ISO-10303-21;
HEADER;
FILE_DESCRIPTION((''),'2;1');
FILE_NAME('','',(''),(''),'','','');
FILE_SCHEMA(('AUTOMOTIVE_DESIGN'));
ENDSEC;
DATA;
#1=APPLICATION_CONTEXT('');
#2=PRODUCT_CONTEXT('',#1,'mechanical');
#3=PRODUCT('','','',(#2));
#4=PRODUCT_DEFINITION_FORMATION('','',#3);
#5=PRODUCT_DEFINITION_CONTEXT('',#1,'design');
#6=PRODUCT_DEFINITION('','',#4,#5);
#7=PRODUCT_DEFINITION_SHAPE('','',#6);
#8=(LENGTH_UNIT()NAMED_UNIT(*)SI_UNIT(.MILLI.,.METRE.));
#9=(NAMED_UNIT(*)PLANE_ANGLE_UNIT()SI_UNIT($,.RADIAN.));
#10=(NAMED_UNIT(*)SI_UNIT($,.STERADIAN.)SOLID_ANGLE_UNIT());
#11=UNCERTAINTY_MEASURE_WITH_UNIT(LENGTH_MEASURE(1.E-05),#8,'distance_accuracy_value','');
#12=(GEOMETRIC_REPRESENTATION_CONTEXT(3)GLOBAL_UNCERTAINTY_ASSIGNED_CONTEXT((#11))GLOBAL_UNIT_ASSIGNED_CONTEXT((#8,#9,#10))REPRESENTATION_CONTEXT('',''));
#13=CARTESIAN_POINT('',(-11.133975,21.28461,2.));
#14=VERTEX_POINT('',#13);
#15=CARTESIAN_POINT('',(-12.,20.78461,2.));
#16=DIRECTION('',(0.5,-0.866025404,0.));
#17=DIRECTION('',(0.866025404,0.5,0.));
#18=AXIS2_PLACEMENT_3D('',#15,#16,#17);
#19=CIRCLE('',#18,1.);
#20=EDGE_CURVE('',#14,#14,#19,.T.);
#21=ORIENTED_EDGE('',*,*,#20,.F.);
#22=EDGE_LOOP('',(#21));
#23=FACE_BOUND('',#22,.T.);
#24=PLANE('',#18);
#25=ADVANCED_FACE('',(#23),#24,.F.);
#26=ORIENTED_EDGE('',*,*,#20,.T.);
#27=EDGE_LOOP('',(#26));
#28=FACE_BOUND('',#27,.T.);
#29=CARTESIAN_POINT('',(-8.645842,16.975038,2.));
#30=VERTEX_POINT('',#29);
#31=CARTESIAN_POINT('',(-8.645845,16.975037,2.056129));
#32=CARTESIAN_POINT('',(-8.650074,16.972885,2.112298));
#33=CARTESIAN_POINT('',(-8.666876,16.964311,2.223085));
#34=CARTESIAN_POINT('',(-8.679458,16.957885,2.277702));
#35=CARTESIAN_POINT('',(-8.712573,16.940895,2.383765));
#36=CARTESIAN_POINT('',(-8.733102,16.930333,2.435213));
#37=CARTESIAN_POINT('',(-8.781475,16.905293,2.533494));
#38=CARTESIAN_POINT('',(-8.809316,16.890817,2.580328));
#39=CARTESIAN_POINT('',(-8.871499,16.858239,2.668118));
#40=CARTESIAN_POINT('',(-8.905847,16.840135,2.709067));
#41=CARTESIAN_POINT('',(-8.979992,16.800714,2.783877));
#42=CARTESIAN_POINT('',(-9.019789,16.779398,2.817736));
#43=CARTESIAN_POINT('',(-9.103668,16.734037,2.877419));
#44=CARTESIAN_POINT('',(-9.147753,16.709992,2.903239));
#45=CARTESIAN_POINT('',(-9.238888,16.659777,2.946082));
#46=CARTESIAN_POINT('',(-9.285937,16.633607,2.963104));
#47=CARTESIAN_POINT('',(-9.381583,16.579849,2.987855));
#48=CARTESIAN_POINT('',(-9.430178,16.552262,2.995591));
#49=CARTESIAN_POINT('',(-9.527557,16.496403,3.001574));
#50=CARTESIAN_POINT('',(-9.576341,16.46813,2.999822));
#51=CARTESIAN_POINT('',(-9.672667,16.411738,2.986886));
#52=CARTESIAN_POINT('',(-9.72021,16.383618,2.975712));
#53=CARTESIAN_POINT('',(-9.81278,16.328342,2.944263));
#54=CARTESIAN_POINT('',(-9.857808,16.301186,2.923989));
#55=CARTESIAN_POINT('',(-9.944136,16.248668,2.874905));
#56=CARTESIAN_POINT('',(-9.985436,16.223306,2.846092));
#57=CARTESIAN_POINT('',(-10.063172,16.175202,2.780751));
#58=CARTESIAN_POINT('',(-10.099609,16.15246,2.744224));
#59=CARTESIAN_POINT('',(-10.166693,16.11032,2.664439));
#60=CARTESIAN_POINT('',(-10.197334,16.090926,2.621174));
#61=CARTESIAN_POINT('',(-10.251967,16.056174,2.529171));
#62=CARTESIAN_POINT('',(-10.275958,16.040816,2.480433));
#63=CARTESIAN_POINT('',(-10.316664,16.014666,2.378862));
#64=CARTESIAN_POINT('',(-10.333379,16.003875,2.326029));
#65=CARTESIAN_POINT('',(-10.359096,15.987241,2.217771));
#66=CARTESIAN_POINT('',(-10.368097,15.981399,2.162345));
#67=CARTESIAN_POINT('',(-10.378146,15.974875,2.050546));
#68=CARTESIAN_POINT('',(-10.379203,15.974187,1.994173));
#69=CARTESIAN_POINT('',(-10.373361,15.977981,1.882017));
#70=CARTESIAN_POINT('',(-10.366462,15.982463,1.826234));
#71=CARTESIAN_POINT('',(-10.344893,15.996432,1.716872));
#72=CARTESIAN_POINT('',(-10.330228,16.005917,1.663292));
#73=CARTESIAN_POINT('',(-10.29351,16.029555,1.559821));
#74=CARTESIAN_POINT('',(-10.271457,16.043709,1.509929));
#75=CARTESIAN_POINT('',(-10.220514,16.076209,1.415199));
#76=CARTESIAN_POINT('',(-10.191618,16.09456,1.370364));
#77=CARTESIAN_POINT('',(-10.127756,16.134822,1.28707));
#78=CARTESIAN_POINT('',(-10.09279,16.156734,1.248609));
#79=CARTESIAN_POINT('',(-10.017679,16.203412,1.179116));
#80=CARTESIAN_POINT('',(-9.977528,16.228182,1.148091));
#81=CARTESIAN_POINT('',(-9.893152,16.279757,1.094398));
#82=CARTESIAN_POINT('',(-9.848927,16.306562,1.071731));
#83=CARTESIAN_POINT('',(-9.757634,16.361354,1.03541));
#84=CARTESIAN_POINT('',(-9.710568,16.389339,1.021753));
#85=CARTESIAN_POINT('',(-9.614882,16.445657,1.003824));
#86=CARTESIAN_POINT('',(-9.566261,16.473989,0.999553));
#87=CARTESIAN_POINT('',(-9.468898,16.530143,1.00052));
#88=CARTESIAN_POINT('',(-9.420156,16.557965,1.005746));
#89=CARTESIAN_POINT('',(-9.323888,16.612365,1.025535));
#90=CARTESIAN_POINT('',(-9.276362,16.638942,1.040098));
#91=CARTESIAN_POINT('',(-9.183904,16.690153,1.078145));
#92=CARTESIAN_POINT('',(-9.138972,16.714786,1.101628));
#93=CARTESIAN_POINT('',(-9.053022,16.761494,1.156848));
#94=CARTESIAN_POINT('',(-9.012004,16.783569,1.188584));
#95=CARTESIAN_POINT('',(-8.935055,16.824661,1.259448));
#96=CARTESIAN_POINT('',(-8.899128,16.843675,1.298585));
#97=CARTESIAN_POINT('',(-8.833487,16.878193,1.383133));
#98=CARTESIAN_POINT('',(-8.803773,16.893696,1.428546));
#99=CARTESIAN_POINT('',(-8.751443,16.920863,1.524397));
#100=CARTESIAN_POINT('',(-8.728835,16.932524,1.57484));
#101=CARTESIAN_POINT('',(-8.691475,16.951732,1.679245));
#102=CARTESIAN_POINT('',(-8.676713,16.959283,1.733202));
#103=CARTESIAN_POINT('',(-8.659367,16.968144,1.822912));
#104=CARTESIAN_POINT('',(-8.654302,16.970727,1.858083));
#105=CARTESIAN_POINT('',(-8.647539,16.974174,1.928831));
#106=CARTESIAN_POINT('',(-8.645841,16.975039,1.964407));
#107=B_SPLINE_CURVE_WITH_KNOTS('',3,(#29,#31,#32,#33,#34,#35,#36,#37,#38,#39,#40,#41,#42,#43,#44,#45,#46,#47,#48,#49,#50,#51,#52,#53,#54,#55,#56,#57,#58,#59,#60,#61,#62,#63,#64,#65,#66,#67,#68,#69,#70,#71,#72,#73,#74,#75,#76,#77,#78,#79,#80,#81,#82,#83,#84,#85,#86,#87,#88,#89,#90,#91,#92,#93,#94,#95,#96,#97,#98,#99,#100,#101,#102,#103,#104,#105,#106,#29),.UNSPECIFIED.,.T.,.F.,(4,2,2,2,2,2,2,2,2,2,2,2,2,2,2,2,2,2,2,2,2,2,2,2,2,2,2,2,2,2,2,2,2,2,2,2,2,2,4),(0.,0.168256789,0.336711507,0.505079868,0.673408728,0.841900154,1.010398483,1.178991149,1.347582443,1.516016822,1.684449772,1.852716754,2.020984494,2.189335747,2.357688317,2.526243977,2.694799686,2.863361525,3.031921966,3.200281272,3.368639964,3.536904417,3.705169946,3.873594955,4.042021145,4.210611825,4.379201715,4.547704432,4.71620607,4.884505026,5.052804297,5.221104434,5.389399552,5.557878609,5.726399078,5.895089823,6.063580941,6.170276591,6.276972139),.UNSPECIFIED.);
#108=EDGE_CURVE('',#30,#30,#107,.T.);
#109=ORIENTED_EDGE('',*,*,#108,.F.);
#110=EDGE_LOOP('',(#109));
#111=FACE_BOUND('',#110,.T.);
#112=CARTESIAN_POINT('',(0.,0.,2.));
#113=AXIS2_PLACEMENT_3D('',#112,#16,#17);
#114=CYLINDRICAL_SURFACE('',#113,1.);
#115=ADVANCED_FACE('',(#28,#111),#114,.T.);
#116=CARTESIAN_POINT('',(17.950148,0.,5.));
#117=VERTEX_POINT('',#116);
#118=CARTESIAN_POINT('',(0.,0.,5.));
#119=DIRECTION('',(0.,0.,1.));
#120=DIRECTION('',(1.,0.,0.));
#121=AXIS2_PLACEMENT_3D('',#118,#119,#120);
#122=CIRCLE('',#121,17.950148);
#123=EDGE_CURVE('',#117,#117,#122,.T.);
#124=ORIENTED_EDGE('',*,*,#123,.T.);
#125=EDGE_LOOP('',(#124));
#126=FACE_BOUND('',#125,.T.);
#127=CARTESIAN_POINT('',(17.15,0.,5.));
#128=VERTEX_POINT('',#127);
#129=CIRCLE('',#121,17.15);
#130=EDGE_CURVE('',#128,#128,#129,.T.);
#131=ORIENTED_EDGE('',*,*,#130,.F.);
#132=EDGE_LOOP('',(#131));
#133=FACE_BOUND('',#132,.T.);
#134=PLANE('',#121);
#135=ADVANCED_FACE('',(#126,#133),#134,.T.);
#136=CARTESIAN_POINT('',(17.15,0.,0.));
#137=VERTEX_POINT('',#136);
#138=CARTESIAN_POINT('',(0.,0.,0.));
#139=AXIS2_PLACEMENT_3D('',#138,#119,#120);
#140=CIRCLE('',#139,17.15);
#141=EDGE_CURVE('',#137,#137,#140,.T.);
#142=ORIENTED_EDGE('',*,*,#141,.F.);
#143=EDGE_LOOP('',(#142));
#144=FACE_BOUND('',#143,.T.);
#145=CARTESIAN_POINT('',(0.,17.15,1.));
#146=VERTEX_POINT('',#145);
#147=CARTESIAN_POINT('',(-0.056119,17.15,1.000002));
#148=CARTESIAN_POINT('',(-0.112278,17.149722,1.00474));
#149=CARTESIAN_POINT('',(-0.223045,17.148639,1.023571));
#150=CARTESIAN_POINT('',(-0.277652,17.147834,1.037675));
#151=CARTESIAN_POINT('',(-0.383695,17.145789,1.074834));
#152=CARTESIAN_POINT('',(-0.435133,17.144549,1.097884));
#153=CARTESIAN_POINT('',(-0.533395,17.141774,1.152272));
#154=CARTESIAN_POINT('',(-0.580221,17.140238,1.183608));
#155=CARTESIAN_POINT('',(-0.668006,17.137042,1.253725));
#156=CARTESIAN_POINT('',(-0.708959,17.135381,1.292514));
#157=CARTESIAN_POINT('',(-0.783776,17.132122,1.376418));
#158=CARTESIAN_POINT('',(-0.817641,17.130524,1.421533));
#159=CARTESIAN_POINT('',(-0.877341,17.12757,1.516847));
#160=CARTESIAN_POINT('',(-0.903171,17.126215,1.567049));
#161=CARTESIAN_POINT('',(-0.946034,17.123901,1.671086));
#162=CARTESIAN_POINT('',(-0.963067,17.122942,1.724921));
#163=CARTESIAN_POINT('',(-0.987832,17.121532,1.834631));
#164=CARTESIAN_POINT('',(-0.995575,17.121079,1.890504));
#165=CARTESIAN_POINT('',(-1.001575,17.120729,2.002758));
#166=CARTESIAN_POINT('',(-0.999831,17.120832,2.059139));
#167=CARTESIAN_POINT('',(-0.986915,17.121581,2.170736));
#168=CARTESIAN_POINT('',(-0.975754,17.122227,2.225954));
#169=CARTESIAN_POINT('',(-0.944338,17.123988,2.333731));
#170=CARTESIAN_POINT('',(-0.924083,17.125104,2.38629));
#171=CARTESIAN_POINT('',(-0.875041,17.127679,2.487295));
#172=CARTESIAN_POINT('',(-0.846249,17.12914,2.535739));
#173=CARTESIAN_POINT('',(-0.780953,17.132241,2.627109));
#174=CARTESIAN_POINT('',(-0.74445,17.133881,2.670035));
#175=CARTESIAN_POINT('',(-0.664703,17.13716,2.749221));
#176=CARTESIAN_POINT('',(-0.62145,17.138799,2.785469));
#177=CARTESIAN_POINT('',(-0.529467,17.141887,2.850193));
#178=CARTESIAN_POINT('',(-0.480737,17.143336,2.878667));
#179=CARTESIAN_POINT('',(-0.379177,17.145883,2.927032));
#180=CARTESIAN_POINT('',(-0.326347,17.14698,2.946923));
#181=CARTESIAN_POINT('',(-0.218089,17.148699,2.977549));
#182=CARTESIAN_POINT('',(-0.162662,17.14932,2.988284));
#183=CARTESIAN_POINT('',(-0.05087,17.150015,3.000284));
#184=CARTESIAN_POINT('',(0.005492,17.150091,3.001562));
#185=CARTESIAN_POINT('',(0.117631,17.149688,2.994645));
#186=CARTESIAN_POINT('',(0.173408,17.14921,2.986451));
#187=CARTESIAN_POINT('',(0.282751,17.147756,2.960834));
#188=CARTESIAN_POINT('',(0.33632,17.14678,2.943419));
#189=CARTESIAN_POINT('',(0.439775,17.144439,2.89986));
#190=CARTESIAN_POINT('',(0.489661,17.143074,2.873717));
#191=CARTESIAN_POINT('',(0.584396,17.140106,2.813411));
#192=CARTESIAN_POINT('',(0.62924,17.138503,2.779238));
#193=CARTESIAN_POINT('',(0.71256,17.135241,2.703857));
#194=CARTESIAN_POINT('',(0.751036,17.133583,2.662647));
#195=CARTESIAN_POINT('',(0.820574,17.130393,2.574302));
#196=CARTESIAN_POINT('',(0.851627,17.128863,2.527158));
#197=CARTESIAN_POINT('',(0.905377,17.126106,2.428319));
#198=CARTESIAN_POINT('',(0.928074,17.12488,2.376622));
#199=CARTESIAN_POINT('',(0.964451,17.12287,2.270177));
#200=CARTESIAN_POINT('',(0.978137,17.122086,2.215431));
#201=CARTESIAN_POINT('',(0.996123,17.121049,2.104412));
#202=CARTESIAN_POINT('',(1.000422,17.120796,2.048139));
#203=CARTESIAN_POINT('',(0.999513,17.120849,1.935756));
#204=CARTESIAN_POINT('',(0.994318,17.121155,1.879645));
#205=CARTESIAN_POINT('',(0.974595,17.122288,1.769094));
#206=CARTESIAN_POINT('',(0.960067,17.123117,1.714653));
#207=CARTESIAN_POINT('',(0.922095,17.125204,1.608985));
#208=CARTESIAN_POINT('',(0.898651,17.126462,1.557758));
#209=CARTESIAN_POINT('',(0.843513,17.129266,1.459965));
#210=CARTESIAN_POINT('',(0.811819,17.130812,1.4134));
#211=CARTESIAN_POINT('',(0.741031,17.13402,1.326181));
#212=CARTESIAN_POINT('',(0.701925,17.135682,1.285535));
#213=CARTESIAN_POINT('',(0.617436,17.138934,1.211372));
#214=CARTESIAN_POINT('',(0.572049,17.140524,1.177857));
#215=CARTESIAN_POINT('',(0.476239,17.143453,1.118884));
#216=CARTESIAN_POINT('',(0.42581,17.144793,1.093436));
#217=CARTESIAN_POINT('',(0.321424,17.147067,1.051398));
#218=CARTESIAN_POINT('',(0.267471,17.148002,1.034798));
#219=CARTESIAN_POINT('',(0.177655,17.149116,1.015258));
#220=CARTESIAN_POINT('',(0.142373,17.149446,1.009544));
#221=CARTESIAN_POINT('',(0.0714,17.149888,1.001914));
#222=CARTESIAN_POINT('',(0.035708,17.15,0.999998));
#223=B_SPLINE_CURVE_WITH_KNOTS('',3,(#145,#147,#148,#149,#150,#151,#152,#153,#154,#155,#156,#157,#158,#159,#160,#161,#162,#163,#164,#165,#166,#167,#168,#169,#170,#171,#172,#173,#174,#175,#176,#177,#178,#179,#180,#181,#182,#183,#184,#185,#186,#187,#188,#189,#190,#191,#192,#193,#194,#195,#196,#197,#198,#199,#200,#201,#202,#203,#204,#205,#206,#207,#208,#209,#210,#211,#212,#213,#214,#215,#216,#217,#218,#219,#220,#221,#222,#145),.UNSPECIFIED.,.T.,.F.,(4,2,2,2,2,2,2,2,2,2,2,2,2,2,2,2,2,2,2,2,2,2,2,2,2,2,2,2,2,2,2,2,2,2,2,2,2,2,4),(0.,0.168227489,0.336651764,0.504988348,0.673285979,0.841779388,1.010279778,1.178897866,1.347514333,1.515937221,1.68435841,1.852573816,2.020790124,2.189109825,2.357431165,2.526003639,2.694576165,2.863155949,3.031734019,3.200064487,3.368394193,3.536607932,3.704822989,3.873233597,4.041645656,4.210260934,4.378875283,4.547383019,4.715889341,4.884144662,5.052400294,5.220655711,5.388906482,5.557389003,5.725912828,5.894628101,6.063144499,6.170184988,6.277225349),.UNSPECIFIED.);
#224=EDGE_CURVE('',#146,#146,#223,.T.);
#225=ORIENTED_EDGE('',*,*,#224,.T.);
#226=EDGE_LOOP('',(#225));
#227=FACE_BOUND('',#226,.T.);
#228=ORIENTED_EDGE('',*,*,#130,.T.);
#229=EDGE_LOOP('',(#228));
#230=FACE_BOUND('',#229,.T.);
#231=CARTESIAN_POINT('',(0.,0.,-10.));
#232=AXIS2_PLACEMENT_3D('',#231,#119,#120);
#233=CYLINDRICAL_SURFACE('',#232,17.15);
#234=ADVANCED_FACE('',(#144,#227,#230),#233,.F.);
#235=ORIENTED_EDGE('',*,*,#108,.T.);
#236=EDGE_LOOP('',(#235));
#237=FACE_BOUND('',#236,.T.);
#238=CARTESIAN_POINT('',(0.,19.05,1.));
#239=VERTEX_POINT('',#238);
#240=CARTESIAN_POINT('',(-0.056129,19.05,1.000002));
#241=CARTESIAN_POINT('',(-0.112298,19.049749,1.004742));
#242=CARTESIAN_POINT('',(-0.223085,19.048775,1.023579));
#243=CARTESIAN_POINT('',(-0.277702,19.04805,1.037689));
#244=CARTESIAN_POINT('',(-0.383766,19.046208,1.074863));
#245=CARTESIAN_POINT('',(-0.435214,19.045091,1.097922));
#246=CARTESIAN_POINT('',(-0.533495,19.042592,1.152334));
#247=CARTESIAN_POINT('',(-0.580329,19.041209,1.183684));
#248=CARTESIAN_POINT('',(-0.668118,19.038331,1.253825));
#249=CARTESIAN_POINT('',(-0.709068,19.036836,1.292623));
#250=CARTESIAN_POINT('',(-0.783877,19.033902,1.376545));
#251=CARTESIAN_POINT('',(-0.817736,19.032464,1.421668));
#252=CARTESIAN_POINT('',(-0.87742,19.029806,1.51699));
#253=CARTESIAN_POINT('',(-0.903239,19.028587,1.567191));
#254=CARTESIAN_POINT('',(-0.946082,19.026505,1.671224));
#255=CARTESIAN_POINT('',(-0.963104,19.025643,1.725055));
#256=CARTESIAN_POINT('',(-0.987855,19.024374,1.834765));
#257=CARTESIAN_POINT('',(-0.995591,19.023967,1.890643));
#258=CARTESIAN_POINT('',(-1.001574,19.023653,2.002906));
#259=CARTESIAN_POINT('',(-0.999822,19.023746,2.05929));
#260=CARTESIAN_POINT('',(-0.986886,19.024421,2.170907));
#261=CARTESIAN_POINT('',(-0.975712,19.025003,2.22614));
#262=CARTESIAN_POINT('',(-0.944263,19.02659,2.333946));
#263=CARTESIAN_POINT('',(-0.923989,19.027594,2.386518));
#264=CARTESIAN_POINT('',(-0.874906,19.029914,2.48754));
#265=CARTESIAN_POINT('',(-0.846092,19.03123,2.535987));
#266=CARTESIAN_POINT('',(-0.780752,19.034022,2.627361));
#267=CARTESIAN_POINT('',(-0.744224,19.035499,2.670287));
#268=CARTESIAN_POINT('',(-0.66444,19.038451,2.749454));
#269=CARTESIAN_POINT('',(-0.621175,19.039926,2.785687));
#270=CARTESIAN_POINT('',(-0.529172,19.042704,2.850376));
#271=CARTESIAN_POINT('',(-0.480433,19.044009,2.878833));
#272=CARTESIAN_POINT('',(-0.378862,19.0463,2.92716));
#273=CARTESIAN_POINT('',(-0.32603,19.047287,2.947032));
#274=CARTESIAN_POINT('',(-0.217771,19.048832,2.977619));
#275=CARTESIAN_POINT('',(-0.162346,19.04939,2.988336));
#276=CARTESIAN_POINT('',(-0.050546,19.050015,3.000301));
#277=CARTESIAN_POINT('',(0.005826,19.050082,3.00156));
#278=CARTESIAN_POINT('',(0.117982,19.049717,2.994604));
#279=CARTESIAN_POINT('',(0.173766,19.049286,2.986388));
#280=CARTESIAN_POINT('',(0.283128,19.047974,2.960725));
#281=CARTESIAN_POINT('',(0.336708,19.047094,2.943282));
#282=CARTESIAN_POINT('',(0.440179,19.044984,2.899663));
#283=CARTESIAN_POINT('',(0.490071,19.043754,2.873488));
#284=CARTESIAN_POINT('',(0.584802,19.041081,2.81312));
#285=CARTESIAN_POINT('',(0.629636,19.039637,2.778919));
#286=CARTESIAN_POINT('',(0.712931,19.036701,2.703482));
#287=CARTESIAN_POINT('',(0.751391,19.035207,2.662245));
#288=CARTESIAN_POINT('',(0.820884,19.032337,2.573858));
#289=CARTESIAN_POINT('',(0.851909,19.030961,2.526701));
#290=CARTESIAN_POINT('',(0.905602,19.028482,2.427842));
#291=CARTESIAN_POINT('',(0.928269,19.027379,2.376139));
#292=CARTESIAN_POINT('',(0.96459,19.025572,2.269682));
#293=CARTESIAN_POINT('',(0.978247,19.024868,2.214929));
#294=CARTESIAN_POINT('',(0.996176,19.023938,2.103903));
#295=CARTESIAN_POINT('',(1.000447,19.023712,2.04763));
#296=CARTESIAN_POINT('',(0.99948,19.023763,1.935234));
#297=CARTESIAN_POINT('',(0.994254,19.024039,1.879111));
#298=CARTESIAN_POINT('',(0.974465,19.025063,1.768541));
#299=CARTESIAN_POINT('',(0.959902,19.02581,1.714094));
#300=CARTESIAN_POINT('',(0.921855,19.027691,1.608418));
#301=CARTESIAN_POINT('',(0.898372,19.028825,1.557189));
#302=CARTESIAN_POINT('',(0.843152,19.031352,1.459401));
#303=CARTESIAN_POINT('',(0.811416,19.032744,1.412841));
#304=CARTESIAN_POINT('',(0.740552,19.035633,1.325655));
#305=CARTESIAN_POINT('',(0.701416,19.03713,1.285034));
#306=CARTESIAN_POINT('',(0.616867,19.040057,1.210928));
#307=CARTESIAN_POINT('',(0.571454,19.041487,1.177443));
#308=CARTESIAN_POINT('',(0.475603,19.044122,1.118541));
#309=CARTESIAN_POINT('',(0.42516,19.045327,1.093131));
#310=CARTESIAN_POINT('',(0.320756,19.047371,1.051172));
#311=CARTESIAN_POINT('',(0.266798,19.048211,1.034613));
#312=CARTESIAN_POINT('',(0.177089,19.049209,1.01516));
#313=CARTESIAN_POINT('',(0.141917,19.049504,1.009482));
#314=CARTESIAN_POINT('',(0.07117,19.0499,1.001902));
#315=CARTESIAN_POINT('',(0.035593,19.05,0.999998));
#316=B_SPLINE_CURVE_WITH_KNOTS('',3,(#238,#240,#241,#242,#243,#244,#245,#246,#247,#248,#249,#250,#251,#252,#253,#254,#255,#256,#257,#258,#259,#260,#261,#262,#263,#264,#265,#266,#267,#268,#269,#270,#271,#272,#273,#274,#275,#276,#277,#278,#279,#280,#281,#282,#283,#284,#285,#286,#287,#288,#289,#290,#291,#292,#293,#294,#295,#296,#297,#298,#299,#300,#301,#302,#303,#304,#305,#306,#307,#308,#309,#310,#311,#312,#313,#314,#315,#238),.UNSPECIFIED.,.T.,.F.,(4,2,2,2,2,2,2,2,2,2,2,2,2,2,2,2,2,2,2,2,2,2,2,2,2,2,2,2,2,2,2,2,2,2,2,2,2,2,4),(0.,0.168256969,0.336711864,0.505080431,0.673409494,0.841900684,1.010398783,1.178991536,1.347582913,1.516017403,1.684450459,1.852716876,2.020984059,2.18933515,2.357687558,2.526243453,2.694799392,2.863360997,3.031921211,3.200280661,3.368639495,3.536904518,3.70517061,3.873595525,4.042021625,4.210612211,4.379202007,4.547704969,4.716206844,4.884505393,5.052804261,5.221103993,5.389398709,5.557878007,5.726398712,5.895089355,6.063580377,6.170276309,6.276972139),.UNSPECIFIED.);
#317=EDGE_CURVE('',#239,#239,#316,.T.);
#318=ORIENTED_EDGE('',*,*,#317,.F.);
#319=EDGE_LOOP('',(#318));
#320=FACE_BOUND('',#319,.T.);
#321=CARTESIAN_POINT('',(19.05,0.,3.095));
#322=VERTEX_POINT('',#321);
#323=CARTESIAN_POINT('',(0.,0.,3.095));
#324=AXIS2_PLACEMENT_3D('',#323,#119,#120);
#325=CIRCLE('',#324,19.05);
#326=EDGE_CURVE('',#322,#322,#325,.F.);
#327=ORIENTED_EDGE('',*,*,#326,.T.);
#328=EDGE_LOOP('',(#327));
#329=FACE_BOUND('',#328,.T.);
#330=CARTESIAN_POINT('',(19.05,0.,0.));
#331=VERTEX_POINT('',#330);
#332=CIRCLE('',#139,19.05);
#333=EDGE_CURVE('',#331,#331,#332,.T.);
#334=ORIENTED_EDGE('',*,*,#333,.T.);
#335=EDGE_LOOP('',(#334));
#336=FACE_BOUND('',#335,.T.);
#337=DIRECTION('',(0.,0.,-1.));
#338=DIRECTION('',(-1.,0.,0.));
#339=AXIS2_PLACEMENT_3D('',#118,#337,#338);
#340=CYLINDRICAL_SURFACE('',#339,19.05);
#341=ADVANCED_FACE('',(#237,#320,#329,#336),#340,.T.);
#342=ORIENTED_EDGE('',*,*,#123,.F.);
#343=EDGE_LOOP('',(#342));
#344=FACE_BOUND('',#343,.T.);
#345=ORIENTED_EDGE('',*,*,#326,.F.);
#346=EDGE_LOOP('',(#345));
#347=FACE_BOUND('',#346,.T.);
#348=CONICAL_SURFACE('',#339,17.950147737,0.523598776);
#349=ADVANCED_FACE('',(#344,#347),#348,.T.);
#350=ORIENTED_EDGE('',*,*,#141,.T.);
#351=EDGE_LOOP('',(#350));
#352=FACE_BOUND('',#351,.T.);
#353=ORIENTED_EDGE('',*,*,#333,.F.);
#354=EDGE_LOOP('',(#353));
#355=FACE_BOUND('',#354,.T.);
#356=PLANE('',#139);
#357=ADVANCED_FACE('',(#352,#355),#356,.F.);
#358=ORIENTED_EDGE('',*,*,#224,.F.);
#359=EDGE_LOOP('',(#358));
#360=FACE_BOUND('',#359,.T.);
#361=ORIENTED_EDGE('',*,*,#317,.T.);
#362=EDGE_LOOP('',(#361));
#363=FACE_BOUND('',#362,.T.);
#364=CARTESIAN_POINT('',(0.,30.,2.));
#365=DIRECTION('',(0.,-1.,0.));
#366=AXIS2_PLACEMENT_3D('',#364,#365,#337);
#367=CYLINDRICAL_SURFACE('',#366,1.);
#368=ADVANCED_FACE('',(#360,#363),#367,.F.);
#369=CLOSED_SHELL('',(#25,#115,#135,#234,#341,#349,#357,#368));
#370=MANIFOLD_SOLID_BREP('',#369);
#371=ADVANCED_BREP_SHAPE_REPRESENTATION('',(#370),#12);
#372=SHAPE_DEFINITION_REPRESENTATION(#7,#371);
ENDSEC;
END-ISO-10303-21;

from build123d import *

# Parameters (mm, degrees)
SKETCH1_R           = 19.05
BOSS_EXTRUDE1_DEPTH = 5
CHAMFER1_SIZE       = 1.905
CHAMFER1_SIZE2      = 1.099852263
SKETCH2_R           = 1
CUT_EXTRUDE1_DEPTH  = 30
SKETCH5_R           = 17.15
CUT_EXTRUDE2_DEPTH  = 15


with BuildPart() as part:
    # Sketch1 → Boss-Extrude1 (new body)
    with BuildSketch(Plane.XY):
        Circle(SKETCH1_R)
    extrude(amount=BOSS_EXTRUDE1_DEPTH)

    # Chamfer1
    chamfer1_edges = [part.edges().sort_by_distance(p)[0] for p in [
        (-19.05, 0, 5),
    ]]
    chamfer1_side = [part.faces().sort_by_distance(p)[0] for p in [
        (-19.05, 0, 2.5),
    ]]
    chamfer(chamfer1_edges, length=CHAMFER1_SIZE, length2=CHAMFER1_SIZE2, reference=chamfer1_side[0])

    # Sketch4 → Revolve-Thin1 (revolve)
    with BuildSketch(Plane.XY.offset(2)):
        Polygon((0, 0), (-12, 20.784609691), (-12.866025404, 20.284609691), (-0.866025404, -0.5), align=None)
    revolve(axis=Axis((0, 0, 2), (-0.5, 0.866025404, 0)))

    # Sketch2 → Cut-Extrude1 (cut)
    with BuildSketch(Plane(origin=(0, 0, 0), x_dir=(1, 0, 0), z_dir=(0, 1, 0))):
        with Locations((0, -2)):
            Circle(SKETCH2_R)
    extrude(amount=CUT_EXTRUDE1_DEPTH, mode=Mode.SUBTRACT)

    # Sketch5 → Cut-Extrude2 (cut)
    with BuildSketch(Plane.XY.offset(5)):
        Circle(SKETCH5_R)
    extrude(amount=-CUT_EXTRUDE2_DEPTH, mode=Mode.SUBTRACT)


solid = part.part
